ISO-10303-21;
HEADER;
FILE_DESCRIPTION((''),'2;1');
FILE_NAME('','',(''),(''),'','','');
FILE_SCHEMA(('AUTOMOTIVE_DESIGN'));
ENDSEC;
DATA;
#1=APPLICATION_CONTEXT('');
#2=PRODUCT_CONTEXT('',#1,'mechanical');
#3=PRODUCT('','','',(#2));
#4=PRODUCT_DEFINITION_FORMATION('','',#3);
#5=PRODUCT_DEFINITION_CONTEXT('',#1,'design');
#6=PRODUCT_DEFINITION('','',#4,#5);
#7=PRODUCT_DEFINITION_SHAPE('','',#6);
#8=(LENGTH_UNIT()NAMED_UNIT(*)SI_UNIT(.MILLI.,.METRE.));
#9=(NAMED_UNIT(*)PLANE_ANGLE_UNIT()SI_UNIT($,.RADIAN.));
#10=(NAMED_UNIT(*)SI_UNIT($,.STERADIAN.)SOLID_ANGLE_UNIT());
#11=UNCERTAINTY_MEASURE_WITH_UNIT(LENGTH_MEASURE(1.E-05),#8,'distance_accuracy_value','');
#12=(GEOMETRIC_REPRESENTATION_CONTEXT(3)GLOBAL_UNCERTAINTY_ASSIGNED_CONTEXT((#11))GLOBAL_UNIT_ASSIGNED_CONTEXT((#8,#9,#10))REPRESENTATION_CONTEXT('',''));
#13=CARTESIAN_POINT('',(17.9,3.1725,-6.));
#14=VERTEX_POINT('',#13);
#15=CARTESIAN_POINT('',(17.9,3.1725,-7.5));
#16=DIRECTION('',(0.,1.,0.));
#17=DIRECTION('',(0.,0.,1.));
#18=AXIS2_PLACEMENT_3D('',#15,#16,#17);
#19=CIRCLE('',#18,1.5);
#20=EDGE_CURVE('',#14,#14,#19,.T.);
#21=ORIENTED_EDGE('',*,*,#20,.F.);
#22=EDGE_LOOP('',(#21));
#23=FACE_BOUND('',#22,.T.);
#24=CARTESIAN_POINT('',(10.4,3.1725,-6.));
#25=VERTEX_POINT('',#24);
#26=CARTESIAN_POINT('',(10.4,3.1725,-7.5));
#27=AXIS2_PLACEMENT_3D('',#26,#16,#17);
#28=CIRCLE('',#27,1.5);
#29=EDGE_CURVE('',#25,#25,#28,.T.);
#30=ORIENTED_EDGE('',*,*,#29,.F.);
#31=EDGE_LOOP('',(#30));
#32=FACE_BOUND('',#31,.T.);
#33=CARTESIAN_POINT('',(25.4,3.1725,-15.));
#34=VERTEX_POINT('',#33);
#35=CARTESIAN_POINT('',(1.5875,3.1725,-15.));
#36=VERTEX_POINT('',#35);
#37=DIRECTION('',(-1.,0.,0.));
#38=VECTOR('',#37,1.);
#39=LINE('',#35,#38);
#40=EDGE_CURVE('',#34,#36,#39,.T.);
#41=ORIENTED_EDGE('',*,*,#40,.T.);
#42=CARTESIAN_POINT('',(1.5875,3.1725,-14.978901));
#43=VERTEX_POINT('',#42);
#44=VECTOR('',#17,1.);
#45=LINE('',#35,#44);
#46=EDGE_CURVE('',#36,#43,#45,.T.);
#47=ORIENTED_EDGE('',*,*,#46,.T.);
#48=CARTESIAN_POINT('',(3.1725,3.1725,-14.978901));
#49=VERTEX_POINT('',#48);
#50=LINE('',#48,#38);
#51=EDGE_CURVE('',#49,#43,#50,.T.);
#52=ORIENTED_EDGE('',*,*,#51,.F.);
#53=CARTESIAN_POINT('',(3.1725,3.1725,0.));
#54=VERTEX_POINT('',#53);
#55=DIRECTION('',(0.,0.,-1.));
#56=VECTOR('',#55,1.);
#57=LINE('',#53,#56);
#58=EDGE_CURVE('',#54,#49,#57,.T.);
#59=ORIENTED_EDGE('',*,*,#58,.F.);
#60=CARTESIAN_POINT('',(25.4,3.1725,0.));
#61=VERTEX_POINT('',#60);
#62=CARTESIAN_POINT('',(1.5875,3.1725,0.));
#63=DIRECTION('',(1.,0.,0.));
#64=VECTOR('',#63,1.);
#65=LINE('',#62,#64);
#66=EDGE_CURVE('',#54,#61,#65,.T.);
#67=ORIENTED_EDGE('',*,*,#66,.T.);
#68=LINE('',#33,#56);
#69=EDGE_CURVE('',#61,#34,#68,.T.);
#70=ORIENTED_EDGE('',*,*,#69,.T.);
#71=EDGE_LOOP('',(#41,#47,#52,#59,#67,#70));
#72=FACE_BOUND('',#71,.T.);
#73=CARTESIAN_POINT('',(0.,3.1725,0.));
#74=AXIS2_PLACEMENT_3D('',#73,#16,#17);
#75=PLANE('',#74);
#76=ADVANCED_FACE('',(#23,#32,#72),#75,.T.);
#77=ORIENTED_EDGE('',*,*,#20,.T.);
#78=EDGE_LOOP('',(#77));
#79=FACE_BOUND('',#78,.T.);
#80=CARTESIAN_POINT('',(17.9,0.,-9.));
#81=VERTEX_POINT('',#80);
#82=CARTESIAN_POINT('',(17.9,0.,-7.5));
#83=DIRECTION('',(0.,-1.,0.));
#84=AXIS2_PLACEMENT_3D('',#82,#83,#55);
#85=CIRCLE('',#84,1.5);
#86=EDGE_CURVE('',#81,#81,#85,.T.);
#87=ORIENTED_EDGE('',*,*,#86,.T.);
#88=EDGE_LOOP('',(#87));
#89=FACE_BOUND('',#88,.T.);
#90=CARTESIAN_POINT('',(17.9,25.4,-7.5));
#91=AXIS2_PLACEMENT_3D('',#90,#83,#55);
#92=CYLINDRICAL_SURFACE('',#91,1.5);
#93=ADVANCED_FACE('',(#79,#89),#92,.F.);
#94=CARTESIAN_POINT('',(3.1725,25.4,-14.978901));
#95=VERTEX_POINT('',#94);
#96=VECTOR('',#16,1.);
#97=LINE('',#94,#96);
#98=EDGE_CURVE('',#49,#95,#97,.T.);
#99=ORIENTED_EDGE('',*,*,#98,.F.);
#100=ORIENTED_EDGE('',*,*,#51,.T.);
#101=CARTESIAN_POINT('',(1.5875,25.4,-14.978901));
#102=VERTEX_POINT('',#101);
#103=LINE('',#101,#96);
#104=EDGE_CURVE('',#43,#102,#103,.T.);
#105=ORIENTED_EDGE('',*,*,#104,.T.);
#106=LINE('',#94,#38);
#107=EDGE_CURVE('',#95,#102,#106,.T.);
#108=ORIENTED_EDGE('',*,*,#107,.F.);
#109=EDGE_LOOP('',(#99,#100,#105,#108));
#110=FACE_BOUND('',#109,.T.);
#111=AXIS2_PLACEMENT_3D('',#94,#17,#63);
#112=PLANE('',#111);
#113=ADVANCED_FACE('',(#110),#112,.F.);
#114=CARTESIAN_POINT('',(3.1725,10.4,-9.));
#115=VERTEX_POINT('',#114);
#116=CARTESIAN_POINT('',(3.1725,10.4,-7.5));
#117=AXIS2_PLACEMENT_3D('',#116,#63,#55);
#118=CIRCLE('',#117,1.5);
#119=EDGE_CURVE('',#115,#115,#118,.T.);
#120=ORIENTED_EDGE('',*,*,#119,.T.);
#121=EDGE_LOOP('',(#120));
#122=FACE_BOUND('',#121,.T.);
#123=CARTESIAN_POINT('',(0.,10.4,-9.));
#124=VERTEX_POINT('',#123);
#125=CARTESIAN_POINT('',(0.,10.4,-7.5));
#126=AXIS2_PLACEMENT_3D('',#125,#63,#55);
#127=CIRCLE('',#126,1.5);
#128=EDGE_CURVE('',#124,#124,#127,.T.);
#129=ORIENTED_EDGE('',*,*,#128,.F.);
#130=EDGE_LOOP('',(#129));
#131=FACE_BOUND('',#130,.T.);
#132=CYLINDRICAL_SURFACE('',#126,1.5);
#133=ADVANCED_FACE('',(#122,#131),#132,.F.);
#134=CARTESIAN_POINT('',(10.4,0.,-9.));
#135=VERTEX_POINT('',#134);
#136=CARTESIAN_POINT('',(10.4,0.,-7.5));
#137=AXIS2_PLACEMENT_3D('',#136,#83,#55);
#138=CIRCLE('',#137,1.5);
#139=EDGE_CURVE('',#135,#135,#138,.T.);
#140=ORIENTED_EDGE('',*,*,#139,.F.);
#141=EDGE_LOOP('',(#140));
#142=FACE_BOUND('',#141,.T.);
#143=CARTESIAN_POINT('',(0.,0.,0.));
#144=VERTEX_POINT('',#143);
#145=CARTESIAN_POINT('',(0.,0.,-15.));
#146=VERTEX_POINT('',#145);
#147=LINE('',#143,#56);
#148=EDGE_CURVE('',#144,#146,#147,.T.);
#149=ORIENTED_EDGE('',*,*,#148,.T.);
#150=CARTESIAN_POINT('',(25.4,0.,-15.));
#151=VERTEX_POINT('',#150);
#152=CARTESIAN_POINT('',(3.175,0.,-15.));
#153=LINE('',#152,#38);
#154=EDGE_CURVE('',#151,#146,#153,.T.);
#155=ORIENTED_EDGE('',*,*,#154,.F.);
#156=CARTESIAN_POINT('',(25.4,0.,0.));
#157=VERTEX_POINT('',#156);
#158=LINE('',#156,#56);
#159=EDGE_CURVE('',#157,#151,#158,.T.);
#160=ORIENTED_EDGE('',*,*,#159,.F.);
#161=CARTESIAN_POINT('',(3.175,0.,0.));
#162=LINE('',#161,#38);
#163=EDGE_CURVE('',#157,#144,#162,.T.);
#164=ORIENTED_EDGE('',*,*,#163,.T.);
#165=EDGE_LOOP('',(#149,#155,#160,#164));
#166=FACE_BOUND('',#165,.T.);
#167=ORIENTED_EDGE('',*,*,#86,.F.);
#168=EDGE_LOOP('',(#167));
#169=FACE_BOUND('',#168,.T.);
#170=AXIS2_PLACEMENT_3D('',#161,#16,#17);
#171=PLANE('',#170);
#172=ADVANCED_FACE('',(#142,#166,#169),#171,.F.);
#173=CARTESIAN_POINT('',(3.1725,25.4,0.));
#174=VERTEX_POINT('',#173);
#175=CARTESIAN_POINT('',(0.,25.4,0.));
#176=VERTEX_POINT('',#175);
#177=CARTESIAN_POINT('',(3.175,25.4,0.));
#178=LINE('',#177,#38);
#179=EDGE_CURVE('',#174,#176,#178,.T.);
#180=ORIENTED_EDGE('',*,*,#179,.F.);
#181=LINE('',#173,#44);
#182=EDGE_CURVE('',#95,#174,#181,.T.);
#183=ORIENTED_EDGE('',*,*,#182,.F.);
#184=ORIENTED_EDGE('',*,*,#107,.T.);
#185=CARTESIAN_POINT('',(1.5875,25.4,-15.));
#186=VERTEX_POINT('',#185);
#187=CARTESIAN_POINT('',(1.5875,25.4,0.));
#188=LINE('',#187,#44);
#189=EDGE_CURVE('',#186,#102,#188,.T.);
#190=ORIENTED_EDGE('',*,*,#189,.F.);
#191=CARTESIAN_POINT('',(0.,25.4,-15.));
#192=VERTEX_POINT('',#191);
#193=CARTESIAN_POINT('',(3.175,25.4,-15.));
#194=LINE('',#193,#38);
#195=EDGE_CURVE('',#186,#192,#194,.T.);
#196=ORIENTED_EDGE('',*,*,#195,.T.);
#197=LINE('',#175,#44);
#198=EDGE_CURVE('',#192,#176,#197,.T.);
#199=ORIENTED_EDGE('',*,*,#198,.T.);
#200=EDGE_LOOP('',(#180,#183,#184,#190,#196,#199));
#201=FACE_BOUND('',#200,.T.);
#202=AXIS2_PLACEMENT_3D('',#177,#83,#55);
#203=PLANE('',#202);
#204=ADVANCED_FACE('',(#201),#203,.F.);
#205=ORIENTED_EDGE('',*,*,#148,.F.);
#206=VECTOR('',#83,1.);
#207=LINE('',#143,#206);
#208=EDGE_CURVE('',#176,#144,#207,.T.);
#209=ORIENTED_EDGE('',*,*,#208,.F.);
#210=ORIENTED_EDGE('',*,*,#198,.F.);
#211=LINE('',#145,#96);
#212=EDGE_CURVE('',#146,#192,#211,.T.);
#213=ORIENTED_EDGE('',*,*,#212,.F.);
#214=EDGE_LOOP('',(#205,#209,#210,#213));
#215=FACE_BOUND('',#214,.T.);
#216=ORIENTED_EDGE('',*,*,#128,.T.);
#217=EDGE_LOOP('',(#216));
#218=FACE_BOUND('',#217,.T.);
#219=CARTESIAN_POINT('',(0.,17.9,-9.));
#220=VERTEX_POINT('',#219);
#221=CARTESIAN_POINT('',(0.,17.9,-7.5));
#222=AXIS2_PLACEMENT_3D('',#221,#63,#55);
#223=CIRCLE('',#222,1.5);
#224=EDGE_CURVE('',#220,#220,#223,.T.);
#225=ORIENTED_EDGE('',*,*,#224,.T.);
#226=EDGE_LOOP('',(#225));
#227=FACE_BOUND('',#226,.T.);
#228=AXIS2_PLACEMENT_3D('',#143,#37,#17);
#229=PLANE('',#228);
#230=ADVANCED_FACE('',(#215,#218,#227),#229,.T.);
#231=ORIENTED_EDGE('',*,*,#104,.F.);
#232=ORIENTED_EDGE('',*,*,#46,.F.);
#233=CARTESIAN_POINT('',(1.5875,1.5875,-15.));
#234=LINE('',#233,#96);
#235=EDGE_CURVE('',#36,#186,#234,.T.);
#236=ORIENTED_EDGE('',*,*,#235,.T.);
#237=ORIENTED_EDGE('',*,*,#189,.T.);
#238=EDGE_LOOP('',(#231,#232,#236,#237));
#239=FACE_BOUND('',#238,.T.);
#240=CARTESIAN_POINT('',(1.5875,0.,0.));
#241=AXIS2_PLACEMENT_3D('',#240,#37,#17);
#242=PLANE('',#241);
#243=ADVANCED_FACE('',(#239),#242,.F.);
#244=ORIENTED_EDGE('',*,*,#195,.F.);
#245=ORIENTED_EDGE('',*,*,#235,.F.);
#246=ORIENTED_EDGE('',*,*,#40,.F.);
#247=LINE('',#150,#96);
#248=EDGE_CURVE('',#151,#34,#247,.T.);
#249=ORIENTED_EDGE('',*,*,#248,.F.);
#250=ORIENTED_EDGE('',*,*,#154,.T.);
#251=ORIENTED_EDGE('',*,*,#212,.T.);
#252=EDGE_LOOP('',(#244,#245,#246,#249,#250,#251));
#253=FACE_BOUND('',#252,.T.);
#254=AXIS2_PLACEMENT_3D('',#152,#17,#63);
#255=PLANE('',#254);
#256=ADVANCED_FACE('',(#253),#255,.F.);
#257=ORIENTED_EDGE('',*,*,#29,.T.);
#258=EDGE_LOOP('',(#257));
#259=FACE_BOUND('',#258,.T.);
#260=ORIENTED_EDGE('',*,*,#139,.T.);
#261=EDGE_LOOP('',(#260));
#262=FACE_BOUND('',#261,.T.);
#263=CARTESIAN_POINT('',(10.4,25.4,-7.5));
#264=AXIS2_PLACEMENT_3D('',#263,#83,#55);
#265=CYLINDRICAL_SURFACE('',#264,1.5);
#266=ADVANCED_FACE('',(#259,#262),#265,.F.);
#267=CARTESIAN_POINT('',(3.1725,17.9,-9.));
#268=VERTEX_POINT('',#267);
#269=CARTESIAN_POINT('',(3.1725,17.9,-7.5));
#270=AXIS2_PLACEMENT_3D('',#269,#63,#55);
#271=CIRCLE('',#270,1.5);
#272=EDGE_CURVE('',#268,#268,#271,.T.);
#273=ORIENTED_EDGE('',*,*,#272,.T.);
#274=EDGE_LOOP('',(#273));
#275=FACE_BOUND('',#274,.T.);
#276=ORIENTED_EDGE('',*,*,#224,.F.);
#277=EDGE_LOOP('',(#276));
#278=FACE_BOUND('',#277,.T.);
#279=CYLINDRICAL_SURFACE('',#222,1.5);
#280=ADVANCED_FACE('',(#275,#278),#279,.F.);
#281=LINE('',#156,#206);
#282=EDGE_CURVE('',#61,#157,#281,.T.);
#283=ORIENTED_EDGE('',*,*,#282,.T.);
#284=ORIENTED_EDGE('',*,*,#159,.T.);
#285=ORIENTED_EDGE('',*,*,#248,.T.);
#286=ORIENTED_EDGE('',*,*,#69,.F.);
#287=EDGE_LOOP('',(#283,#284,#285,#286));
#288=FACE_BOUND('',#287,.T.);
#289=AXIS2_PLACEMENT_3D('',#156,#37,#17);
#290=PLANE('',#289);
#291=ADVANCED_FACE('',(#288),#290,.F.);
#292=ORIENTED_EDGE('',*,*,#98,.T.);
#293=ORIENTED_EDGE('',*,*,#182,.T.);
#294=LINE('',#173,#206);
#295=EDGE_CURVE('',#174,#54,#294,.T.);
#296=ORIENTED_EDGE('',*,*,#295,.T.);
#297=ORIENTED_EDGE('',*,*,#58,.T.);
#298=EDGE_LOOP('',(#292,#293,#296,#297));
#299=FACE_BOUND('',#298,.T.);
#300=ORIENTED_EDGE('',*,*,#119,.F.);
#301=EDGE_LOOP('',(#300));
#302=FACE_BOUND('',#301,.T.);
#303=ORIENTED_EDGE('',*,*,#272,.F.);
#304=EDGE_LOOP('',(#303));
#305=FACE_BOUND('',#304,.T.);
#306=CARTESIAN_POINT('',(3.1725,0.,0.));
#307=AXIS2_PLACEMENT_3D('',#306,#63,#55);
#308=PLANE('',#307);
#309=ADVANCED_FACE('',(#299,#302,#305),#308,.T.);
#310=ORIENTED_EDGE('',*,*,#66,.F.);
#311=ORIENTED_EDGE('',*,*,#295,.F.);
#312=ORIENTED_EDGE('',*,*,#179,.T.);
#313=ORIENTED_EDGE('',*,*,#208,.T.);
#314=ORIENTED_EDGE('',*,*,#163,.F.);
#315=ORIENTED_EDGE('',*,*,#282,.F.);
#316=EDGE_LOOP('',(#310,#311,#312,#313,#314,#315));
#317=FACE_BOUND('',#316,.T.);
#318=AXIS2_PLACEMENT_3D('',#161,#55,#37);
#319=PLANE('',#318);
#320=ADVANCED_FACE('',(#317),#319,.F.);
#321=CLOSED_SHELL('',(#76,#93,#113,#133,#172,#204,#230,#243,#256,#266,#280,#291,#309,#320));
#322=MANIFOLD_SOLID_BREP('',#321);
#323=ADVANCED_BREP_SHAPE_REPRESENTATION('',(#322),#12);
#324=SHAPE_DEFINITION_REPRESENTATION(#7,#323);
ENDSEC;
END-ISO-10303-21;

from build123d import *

# Parameters (mm, degrees)
SKETCH1_W           = 15
SKETCH1_H           = 25.4
BOSS_EXTRUDE1_DEPTH = 3.175
SKETCH2_W           = 15
SKETCH2_H           = 3.175
BOSS_EXTRUDE2_DEPTH = 22.225
SKETCH4_R           = 1.5
CUT_EXTRUDE3_DEPTH  = 37.933868265
SKETCH3_R           = 1.5
CUT_EXTRUDE4_DEPTH  = 39.927111375
SKETCH5_W           = 22.225
SKETCH5_H           = 15
CUT_EXTRUDE5_DEPTH  = 1.5875
CUT_EXTRUDE6_START  = -1.5875
SKETCH6_W           = 15
SKETCH6_H           = 23.8125
CUT_EXTRUDE6_DEPTH  = 1.5875
SKETCH7_W           = 23.8125
SKETCH7_H           = 15
SKETCH7_R           = 1.5
BOSS_EXTRUDE5_DEPTH = 1.585
BOSS_EXTRUDE6_START = 1.585
SKETCH8_W           = 14.97890093
SKETCH8_H           = 22.2275
SKETCH8_R           = 1.5
BOSS_EXTRUDE6_DEPTH = 1.585


with BuildPart() as part:
    # Sketch1 → Boss-Extrude1 (new body)
    with BuildSketch(Plane(origin=(0, 0, 0), x_dir=(0, 0, -1), z_dir=(1, 0, 0))):
        with Locations((7.5, 12.7)):
            Rectangle(SKETCH1_W, SKETCH1_H)
    extrude(amount=BOSS_EXTRUDE1_DEPTH)

    # Sketch2 → Boss-Extrude2 (add)
    with BuildSketch(Plane(origin=(3.175, 0, 0), x_dir=(0, 0, -1), z_dir=(1, 0, 0))):
        with Locations((7.5, 1.5875)):
            Rectangle(SKETCH2_W, SKETCH2_H)
    extrude(amount=BOSS_EXTRUDE2_DEPTH)

    # Sketch4 → Cut-Extrude3 (cut, through all)
    with BuildSketch(Plane(origin=(3.175, 0, 0), x_dir=(0, 0, -1), z_dir=(1, 0, 0))):
        with Locations((7.5, 17.9)):
            Circle(SKETCH4_R)
        with Locations((7.5, 10.4)):
            Circle(SKETCH4_R)
    extrude(amount=-CUT_EXTRUDE3_DEPTH, mode=Mode.SUBTRACT)

    # Sketch3 → Cut-Extrude4 (cut, through all)
    with BuildSketch(Plane.XZ):
        with Locations(Location((10.4, -7.5, 0), (0, 0, 270))):
            Circle(SKETCH3_R)
        with Locations(Location((17.9, -7.5, 0), (0, 0, 270))):
            Circle(SKETCH3_R)
    extrude(amount=-CUT_EXTRUDE4_DEPTH, mode=Mode.SUBTRACT)

    # Sketch5 → Cut-Extrude5 (cut)
    with BuildSketch(Plane(origin=(0, 3.175, 0), x_dir=(1, 0, 0), z_dir=(0, 1, 0))):
        with Locations((14.2875, 7.5)):
            Rectangle(SKETCH5_W, SKETCH5_H)
    extrude(amount=-CUT_EXTRUDE5_DEPTH, mode=Mode.SUBTRACT)

    # Sketch6 → Cut-Extrude6 (cut)
    with BuildSketch(Plane(origin=(3.175, 0, 0), x_dir=(0, 0, -1), z_dir=(1, 0, 0)).offset(CUT_EXTRUDE6_START)):
        with Locations((7.5, 13.49375)):
            Rectangle(SKETCH6_W, SKETCH6_H)
    extrude(amount=CUT_EXTRUDE6_DEPTH, mode=Mode.SUBTRACT)

    # Sketch7 → Boss-Extrude5 (add)
    with BuildSketch(Plane(origin=(0, 1.5875, 0), x_dir=(1, 0, 0), z_dir=(0, 1, 0))):
        with Locations((13.49375, 7.5)):
            Rectangle(SKETCH7_W, SKETCH7_H)
        with Locations(Location((10.4, 7.5, 0), (0, 0, 90))):
            Circle(SKETCH7_R, mode=Mode.SUBTRACT)
        with Locations(Location((17.9, 7.5, 0), (0, 0, 90))):
            Circle(SKETCH7_R, mode=Mode.SUBTRACT)
    extrude(amount=BOSS_EXTRUDE5_DEPTH)

    # Sketch8 → Boss-Extrude6 (add)
    with BuildSketch(Plane(origin=(1.5875, 0, 0), x_dir=(0, 0, -1), z_dir=(1, 0, 0)).offset(BOSS_EXTRUDE6_START)):
        with Locations((7.489450465, 14.28625)):
            Rectangle(SKETCH8_W, SKETCH8_H)
        with Locations((7.5, 17.9)):
            Circle(SKETCH8_R, mode=Mode.SUBTRACT)
        with Locations((7.5, 10.4)):
            Circle(SKETCH8_R, mode=Mode.SUBTRACT)
    extrude(amount=-BOSS_EXTRUDE6_DEPTH)


solid = part.part
